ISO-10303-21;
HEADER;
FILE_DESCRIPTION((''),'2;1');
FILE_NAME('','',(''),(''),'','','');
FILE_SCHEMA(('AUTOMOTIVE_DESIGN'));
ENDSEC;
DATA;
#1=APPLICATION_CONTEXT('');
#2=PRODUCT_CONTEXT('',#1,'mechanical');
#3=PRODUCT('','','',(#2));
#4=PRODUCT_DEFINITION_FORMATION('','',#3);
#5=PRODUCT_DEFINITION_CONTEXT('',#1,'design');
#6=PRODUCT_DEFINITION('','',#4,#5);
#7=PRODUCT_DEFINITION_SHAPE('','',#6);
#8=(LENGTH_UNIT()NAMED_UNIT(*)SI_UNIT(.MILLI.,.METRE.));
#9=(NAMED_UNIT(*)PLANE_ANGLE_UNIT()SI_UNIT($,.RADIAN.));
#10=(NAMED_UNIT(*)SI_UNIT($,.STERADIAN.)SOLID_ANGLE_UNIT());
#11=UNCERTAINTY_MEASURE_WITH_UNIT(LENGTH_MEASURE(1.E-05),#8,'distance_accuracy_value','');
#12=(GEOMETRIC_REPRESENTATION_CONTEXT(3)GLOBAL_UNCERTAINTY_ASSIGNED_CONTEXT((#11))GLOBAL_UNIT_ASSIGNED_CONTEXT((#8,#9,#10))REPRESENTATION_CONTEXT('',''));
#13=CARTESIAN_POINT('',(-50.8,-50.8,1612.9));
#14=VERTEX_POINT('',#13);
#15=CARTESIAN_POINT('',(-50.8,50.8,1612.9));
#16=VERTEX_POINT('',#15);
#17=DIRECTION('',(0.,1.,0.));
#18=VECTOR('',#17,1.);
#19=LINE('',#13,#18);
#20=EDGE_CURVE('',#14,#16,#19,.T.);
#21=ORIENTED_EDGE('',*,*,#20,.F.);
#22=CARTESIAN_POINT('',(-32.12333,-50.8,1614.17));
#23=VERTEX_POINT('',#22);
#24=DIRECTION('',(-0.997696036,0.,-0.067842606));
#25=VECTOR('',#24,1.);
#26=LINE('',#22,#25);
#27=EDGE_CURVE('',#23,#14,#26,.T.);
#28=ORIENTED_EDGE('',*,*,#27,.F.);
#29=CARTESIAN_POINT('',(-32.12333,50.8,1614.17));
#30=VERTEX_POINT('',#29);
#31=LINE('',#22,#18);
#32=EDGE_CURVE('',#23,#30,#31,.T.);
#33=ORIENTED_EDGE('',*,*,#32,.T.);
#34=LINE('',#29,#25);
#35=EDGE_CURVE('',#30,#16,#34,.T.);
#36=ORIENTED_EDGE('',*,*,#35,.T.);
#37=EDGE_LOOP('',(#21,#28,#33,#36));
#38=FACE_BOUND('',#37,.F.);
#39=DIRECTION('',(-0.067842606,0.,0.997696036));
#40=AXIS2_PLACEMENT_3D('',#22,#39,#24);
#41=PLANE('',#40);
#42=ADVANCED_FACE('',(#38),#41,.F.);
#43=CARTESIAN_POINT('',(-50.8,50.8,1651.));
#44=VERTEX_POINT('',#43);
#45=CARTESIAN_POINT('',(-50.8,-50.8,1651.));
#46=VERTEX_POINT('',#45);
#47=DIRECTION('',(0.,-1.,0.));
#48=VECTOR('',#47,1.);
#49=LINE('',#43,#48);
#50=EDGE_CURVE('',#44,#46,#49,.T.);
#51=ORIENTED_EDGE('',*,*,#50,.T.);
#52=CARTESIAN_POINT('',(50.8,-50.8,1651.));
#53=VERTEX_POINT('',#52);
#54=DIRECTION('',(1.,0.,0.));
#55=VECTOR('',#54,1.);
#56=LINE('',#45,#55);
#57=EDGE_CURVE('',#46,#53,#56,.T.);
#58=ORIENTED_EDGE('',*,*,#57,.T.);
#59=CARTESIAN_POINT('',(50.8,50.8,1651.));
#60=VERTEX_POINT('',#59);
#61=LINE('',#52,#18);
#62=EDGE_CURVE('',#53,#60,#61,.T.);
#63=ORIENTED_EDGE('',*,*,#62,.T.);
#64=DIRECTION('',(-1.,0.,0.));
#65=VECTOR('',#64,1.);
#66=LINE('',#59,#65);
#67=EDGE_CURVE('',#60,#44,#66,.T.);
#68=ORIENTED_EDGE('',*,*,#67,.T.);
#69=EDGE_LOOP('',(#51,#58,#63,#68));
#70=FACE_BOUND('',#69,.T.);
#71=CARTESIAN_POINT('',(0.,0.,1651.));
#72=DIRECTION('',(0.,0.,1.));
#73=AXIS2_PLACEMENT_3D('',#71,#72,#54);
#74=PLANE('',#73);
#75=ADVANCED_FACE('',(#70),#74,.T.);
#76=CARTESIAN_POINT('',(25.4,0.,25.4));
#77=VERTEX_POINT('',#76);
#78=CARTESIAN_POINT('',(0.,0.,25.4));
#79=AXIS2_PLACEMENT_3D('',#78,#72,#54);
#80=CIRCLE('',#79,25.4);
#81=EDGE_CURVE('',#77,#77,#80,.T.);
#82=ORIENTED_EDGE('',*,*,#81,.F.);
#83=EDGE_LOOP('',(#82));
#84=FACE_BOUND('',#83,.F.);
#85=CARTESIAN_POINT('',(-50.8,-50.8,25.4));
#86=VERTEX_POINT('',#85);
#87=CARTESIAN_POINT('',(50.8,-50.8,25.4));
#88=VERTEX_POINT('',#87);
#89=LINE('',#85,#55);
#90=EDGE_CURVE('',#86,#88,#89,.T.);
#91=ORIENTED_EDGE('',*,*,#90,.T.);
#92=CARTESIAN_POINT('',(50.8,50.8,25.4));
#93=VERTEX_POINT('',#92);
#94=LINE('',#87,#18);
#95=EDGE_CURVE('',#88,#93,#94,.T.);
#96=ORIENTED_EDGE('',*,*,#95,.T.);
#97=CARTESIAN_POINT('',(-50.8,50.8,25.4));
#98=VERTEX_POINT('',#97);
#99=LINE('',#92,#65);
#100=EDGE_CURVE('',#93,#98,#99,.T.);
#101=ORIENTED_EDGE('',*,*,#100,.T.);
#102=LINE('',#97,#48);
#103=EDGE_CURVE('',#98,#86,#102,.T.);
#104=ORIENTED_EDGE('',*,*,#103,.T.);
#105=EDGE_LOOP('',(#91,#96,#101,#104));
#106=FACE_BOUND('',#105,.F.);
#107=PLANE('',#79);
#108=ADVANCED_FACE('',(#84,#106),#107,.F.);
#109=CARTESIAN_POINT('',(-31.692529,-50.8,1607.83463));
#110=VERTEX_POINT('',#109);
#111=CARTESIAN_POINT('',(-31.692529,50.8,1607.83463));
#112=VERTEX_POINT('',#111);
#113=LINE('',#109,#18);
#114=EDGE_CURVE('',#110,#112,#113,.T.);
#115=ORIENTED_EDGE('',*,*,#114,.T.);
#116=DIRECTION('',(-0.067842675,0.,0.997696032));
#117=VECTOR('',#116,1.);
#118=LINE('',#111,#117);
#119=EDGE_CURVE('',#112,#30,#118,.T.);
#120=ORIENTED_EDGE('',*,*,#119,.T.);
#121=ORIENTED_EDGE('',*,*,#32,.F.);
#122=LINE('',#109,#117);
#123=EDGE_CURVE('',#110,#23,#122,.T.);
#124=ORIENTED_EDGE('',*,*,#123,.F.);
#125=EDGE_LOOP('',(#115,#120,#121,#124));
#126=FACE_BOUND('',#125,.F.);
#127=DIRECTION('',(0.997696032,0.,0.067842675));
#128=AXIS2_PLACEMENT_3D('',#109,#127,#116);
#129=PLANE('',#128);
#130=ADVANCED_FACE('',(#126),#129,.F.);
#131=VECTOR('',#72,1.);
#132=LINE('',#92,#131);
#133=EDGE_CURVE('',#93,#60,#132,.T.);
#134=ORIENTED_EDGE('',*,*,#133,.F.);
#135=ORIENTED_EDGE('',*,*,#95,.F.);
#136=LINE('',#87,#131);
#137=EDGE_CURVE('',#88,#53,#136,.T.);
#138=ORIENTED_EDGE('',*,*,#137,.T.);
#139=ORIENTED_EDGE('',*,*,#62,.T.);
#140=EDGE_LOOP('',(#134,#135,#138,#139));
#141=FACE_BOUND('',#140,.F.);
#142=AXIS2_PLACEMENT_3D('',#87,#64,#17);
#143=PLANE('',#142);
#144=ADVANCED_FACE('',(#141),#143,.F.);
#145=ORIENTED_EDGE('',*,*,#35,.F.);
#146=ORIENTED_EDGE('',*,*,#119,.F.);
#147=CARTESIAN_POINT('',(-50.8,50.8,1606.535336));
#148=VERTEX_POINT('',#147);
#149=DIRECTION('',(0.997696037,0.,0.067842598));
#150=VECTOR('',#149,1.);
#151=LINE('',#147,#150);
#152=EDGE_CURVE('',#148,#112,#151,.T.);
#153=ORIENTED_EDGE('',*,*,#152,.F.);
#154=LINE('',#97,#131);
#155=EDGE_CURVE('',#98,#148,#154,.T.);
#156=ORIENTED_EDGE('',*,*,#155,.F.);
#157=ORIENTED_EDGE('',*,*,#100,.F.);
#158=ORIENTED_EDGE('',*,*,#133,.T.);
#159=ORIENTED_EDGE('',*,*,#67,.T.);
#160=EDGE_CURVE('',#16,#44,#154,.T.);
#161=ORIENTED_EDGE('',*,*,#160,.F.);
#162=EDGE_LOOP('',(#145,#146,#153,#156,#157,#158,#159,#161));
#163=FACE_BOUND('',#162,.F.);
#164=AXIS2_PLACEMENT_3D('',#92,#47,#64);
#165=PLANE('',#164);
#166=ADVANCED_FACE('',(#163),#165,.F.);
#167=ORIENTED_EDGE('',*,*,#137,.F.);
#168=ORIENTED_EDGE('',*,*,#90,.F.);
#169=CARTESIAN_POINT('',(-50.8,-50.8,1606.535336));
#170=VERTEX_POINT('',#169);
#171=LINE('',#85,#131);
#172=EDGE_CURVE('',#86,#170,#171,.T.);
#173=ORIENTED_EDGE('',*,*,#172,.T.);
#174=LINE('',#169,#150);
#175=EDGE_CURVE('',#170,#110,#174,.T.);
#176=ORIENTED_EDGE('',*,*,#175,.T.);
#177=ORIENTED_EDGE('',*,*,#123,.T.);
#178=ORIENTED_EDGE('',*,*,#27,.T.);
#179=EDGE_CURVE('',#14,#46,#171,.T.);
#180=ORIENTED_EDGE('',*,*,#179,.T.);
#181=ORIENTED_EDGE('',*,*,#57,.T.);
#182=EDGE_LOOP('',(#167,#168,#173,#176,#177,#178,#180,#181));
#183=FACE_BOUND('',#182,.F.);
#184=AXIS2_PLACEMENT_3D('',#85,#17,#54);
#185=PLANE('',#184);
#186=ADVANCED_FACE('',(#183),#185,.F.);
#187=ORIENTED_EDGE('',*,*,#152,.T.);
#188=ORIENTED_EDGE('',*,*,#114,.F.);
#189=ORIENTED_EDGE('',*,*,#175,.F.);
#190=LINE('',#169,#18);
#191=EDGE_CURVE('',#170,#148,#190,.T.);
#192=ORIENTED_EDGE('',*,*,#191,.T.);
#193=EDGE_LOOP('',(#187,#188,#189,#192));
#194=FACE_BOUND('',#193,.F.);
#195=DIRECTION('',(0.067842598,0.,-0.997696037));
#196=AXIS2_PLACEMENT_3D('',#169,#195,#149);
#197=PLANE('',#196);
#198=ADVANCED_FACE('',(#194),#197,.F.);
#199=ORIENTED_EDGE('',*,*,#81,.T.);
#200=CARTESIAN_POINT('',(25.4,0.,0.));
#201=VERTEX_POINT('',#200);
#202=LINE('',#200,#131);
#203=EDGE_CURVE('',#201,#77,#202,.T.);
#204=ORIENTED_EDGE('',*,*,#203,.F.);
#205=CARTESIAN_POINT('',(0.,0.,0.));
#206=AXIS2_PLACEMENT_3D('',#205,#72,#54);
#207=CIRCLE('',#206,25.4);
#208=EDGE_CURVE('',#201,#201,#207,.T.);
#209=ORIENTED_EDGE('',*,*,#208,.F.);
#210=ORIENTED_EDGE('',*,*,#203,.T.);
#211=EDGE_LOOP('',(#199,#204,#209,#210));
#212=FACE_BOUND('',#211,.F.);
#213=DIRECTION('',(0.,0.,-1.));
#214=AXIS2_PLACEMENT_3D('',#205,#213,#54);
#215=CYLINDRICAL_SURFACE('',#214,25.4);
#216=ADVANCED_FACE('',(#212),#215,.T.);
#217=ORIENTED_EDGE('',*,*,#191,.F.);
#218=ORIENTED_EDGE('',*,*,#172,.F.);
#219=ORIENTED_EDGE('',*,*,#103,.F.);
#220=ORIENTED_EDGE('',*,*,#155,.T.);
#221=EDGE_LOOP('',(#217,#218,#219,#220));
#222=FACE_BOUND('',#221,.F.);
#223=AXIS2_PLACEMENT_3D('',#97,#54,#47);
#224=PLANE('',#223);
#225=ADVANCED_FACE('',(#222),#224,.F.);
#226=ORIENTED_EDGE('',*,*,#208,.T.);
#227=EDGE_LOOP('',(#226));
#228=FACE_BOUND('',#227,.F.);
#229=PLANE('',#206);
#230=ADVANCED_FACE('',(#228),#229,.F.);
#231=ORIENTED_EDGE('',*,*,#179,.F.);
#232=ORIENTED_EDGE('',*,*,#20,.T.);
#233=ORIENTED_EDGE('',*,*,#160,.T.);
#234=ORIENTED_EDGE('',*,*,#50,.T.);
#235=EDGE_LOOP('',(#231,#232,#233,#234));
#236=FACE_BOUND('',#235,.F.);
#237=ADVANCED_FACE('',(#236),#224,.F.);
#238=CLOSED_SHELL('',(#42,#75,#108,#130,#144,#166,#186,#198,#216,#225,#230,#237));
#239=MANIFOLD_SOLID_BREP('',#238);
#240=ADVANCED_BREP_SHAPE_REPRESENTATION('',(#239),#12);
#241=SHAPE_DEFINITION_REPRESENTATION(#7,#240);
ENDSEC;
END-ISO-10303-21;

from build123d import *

# Parameters (mm, degrees)
F0_R     = 25.4
F1_DEPTH = 25.4
F3_DEPTH = 1625.6
F5_DEPTH = 101.6


with BuildPart() as f1:
    # F0 (on Top) → F1 (new body)
    with BuildSketch(Plane.XY):
        Circle(F0_R)
    extrude(amount=F1_DEPTH)

    # F2 (on face) → F3 (join)
    with BuildSketch(Plane.XY.offset(25.4)):
        Polygon((-50.8, 50.8), (-50.8, 0), (-50.8, -50.8), (50.8, -50.8), (50.8, 50.8), align=None)
    extrude(amount=F3_DEPTH)

    # F4 (on face) → F5 (cut)
    with BuildSketch(Plane.XZ.offset(50.8)):
        Polygon((-32.12333, 1614.17), (-50.8, 1612.9), (-50.8, 1606.535336), (-31.692529, 1607.83463), align=None)
    extrude(amount=-F5_DEPTH, mode=Mode.SUBTRACT)


solid = f1.part
